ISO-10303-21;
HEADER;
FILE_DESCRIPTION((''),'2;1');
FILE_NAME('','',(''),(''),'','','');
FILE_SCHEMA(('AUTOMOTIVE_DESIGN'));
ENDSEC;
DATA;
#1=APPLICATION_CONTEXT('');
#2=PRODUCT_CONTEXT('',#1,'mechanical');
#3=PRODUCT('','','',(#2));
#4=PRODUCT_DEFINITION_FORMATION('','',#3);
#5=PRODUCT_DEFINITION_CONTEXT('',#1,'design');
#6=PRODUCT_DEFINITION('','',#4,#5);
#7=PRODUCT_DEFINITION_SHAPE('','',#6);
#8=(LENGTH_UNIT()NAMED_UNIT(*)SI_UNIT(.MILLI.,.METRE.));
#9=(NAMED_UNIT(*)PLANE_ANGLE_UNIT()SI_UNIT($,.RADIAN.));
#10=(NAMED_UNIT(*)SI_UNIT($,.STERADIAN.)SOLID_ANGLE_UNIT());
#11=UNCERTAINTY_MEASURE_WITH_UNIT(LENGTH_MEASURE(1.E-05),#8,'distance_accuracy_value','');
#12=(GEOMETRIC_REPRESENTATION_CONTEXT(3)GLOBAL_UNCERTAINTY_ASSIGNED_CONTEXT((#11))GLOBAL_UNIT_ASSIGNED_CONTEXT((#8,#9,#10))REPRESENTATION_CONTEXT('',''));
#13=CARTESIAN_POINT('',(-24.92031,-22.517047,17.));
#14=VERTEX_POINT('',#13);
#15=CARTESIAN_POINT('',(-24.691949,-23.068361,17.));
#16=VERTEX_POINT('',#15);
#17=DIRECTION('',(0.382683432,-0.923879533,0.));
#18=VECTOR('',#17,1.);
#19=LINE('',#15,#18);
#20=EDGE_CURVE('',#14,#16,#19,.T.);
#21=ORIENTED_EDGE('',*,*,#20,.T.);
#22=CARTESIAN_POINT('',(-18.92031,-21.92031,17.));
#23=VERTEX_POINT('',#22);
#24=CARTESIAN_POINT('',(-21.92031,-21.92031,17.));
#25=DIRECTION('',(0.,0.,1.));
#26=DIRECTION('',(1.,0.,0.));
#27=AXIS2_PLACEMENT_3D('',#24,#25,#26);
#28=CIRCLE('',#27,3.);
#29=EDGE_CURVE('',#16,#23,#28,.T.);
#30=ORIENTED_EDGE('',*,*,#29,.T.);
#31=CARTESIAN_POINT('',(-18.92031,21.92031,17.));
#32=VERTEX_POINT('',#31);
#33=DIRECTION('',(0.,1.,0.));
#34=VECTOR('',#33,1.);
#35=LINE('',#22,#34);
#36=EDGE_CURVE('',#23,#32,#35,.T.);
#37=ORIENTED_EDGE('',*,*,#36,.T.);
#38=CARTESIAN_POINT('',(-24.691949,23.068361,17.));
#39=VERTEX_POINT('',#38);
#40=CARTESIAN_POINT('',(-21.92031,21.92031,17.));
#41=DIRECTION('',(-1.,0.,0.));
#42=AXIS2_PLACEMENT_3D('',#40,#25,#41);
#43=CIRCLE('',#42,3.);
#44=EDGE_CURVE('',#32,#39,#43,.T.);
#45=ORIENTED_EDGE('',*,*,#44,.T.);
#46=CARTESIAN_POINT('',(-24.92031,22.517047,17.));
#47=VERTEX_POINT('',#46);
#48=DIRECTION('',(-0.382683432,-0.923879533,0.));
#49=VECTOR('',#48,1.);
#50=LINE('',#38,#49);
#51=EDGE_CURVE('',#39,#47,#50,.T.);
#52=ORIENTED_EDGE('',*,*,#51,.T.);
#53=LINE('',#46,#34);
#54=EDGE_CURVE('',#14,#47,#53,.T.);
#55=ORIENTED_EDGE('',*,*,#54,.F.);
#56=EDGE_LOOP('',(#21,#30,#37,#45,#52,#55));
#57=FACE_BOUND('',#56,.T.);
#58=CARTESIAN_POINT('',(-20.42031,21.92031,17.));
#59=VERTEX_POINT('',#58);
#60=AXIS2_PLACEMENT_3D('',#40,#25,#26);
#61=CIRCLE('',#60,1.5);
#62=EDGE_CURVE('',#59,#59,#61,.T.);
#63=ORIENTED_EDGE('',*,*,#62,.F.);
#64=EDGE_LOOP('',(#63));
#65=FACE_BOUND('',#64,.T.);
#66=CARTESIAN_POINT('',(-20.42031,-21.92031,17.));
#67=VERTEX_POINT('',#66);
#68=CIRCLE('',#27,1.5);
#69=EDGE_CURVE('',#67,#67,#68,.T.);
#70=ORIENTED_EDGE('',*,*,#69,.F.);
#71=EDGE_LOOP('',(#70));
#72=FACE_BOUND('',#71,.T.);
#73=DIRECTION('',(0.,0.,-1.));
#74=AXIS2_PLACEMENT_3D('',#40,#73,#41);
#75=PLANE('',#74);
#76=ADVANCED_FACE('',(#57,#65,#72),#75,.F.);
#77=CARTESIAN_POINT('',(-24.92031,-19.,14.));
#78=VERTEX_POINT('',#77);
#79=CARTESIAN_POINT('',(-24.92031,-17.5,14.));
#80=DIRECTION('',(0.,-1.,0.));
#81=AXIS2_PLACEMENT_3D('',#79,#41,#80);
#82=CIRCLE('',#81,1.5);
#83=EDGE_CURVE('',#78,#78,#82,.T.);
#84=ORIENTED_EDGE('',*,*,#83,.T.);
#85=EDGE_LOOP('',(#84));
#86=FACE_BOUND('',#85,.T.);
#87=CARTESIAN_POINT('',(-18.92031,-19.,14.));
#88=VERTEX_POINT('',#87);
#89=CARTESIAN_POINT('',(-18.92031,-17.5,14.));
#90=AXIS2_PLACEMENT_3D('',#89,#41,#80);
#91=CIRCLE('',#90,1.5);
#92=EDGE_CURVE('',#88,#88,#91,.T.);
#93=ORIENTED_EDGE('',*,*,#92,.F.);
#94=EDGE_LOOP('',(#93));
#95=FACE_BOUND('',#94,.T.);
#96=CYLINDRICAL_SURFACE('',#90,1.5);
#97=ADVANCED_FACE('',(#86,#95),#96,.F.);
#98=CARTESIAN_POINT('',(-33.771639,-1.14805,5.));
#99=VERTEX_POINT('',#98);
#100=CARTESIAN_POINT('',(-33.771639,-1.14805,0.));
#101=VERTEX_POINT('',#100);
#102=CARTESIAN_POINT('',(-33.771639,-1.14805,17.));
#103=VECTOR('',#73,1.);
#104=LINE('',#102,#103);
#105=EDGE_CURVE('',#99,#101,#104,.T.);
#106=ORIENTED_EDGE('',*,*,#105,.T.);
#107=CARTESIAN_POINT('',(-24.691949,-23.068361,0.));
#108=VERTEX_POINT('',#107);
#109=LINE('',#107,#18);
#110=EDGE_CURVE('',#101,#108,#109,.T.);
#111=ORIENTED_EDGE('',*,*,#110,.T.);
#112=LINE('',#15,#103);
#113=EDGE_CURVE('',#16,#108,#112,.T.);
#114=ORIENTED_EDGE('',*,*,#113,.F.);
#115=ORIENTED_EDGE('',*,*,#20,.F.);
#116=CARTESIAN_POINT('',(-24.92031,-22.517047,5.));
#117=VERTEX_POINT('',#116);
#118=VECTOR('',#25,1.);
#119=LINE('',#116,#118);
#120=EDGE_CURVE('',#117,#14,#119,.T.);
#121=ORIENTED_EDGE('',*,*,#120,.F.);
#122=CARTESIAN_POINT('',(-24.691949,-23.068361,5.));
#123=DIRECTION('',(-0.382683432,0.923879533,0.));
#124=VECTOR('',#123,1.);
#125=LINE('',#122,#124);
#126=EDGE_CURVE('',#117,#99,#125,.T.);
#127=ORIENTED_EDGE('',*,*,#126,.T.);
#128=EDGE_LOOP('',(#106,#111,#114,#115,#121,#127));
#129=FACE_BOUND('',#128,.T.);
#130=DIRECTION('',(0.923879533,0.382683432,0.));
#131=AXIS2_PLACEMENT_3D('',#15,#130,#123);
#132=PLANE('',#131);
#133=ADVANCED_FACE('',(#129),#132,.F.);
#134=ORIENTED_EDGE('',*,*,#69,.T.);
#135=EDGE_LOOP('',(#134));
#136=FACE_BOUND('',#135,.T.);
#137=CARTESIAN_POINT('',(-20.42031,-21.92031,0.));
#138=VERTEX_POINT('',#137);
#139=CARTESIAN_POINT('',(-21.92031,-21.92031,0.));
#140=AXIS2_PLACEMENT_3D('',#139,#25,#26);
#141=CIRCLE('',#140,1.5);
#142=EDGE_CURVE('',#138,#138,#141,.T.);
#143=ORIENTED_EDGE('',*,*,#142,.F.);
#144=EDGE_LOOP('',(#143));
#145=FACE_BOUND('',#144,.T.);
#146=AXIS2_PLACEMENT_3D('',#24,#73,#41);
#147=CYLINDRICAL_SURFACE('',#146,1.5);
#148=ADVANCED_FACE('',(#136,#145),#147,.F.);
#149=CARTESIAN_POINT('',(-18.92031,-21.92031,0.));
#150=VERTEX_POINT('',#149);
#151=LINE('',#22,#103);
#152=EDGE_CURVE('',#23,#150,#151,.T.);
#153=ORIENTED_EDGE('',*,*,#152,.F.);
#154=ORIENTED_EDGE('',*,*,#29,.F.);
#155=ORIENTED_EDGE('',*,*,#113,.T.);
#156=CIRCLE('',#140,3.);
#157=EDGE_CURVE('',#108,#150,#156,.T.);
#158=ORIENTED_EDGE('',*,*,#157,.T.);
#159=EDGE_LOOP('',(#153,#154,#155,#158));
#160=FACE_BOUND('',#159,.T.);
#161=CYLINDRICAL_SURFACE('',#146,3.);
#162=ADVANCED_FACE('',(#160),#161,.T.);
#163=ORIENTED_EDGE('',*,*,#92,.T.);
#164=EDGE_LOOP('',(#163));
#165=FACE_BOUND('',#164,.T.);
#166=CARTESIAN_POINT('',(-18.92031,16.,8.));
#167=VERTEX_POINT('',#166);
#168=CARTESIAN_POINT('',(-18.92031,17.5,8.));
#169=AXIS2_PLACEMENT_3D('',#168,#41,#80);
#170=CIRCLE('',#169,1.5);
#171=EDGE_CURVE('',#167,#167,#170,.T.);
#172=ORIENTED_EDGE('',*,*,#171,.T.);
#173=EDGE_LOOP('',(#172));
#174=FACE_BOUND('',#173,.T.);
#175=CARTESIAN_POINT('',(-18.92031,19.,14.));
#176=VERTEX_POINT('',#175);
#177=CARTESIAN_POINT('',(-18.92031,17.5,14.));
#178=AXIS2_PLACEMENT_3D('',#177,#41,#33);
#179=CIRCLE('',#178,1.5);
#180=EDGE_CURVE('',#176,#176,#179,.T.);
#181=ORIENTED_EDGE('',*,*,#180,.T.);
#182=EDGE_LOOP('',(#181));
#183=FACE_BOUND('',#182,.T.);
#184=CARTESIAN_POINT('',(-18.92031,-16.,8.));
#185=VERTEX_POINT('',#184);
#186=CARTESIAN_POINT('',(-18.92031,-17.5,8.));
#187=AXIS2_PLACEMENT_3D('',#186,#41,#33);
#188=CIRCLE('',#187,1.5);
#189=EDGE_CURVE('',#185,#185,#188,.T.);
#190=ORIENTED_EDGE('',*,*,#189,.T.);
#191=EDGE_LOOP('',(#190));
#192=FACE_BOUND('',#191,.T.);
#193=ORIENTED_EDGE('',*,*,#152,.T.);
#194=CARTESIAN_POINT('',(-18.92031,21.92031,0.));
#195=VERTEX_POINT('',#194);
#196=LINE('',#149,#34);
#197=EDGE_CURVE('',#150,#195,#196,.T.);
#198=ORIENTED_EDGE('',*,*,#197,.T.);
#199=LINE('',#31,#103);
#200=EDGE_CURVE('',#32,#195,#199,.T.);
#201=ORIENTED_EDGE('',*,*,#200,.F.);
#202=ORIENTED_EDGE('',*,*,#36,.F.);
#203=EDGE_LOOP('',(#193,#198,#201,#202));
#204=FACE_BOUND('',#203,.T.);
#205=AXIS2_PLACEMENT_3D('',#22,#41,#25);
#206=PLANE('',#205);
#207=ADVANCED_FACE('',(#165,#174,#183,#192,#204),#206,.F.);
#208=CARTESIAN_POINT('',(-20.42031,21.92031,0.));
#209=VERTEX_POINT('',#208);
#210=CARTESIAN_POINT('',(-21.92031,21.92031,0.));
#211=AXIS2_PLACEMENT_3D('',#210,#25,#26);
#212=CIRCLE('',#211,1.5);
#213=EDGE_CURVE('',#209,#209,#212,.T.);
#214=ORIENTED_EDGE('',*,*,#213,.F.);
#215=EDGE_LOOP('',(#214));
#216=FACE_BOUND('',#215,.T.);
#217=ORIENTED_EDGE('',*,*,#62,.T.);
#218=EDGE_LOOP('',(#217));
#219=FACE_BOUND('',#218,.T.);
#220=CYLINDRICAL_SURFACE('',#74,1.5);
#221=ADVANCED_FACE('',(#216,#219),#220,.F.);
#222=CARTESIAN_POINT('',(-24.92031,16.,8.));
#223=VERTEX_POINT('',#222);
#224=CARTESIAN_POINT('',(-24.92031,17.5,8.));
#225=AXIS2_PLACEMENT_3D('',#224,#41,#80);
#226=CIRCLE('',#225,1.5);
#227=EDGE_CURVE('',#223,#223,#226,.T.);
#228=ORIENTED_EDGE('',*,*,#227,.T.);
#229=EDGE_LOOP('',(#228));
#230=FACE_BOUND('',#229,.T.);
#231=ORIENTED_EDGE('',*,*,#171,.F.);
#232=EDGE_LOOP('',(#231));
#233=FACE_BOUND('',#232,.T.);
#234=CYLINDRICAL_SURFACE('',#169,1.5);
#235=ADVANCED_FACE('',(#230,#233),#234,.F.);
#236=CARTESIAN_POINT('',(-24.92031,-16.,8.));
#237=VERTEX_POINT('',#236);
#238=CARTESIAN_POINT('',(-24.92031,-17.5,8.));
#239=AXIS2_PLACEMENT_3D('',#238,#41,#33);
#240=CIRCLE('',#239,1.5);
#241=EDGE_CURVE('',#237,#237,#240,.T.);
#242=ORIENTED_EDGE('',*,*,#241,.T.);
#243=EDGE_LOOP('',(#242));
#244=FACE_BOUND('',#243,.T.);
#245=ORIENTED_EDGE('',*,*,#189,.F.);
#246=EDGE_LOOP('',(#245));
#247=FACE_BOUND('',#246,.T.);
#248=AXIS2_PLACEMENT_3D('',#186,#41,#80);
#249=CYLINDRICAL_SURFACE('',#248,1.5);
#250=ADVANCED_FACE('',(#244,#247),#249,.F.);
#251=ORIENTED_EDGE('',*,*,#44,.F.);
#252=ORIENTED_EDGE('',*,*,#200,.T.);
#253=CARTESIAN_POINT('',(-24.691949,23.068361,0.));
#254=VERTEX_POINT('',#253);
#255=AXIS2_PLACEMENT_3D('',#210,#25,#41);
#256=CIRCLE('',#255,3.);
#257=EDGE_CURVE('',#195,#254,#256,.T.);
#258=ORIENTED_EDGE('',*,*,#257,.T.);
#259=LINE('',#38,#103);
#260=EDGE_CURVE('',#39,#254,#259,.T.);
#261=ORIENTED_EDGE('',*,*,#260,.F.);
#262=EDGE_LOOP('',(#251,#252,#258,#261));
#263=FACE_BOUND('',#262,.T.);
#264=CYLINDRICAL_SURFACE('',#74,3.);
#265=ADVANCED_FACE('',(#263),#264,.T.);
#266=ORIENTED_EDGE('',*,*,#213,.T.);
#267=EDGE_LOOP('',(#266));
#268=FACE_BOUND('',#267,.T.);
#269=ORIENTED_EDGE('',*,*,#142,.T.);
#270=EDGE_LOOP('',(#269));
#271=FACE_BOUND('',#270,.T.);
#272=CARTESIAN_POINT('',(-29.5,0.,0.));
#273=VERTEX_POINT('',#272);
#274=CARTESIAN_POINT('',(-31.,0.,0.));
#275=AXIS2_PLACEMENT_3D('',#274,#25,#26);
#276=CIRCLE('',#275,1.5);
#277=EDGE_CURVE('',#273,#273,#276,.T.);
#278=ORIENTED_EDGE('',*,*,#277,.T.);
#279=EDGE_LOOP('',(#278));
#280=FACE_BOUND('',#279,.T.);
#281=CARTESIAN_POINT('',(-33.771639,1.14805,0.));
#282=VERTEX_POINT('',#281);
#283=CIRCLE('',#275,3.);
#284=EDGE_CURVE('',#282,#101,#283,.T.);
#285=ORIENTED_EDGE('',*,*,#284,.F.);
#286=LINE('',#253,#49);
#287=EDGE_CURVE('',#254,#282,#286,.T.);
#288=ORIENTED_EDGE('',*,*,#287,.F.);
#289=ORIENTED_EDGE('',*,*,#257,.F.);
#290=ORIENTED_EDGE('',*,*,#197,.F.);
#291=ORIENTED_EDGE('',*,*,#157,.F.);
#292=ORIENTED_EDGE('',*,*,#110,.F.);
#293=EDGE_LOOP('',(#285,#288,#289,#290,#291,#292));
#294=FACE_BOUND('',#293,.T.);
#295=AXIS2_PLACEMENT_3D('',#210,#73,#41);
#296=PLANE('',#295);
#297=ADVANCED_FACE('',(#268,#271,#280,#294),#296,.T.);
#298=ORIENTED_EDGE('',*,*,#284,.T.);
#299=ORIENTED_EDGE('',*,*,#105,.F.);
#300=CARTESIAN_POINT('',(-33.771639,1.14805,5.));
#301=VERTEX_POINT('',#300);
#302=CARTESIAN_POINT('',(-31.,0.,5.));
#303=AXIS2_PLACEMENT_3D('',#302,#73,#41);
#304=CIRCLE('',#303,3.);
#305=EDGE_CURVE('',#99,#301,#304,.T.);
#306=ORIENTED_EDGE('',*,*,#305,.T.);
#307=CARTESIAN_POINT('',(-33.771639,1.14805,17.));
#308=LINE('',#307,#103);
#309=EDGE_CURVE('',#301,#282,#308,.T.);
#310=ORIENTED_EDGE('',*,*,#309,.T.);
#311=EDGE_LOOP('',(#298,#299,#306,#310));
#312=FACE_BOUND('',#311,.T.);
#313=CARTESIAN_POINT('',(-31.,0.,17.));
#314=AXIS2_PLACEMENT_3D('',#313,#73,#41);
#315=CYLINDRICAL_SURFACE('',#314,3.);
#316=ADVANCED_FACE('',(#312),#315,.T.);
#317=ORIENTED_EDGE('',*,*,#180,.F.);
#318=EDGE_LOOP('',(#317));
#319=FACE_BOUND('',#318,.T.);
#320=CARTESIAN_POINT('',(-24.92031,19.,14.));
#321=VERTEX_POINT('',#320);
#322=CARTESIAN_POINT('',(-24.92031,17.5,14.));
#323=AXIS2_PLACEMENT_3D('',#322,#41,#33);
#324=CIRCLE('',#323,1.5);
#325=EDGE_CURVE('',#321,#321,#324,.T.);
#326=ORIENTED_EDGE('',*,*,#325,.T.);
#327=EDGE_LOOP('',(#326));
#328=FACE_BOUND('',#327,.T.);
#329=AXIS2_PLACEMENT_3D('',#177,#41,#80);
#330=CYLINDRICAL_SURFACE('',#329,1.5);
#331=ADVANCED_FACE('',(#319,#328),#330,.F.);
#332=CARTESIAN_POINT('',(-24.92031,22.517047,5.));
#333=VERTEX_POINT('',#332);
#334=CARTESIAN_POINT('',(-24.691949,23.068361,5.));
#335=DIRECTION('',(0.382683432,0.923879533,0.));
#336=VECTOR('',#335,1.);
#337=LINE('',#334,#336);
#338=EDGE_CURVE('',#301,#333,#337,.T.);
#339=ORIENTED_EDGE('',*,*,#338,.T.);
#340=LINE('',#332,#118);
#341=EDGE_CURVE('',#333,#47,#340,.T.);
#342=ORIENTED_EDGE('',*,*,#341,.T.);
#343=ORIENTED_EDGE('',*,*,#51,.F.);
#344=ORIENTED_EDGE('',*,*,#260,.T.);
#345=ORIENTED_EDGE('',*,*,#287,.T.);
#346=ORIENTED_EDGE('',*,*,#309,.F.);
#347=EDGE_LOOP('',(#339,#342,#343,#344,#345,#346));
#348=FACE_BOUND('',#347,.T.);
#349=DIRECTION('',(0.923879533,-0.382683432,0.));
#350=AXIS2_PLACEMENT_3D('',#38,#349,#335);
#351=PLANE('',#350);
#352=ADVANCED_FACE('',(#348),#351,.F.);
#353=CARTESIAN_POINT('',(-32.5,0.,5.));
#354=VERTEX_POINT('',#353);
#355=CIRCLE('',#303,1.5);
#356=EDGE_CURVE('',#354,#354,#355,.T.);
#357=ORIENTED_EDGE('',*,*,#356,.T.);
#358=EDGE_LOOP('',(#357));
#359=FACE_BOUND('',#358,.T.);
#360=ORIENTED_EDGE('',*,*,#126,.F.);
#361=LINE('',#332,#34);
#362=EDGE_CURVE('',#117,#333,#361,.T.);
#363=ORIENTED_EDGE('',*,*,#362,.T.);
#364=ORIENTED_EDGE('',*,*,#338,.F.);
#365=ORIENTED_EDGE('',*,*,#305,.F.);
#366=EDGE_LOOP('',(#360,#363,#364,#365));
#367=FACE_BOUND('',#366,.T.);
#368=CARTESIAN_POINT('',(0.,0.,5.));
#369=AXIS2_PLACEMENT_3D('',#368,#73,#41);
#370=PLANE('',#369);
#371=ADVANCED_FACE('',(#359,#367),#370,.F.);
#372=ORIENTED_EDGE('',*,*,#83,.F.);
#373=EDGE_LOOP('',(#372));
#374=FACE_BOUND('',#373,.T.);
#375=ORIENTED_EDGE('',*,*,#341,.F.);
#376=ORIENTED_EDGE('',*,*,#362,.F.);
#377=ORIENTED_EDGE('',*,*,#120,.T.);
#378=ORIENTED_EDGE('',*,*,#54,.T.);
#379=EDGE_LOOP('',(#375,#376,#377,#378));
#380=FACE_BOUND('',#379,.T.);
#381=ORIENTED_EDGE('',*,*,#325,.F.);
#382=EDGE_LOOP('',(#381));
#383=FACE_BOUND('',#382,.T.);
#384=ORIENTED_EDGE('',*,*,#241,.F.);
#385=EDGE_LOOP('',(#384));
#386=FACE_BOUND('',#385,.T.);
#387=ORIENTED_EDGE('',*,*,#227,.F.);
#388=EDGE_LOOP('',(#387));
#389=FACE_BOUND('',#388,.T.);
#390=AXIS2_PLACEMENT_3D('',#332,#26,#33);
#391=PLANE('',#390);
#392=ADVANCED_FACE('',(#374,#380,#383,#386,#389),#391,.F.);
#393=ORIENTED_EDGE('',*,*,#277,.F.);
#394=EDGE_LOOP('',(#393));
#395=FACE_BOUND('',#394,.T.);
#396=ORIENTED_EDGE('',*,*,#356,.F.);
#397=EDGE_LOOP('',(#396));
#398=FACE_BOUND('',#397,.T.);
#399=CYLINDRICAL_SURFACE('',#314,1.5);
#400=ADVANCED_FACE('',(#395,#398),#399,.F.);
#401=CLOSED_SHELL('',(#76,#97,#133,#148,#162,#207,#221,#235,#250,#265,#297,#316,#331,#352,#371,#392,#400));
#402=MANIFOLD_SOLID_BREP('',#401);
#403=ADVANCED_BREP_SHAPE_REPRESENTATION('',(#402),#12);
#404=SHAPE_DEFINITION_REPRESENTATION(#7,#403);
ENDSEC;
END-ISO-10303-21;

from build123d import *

# Parameters (mm, degrees)
SKETCH_1_R          = 1.5
EXTRUDE_1_DEPTH     = 17
SKETCH_3_W          = 9.079689783
SKETCH_3_H          = 45.034094638
CUT_EXTRUDE_2_DEPTH = 12
SKETCH_5_R          = 1.5
CUT_EXTRUDE_3_DEPTH = 32.503374865


with BuildPart() as part:
    # 草图1 → 凸台-拉伸1 (new body)
    with BuildSketch(Plane.XY):
        with BuildLine():
            Line((-24.691948814, 23.068360514), (-33.771638598, 1.148050297))
            ThreePointArc((-33.771638598, 1.148050297), (-34, 0), (-33.771638598, -1.148050297))
            Line((-33.771638598, -1.148050297), (-24.691948814, -23.068360514))
            ThreePointArc((-24.691948814, -23.068360514), (-21.335039251, -24.862666058), (-18.920310217, -21.920310217))
            Line((-18.920310217, -21.920310217), (-18.920310217, 21.920310217))
            ThreePointArc((-18.920310217, 21.920310217), (-21.335039251, 24.862666058), (-24.691948814, 23.068360514))
        make_face()
        with Locations((-31, 0)):
            Circle(SKETCH_1_R, mode=Mode.SUBTRACT)
        with Locations((-21.920310217, 21.920310217)):
            Circle(SKETCH_1_R, mode=Mode.SUBTRACT)
        with Locations((-21.920310217, -21.920310217)):
            Circle(SKETCH_1_R, mode=Mode.SUBTRACT)
    extrude(amount=EXTRUDE_1_DEPTH)

    # 草图3 → 切除-拉伸2 (cut)
    with BuildSketch(Plane.XY.offset(17)):
        with Locations((-29.460155109, 0)):
            Rectangle(SKETCH_3_W, SKETCH_3_H)
    extrude(amount=-CUT_EXTRUDE_2_DEPTH, mode=Mode.SUBTRACT)

    # 草图5 → 切除-拉伸3 (cut, through all)
    with BuildSketch(Plane.ZY.offset(24.920310217)):
        with Locations(Location((8, 17.5, 0), (0, 0, 270))):
            Circle(SKETCH_5_R)
        with Locations(Location((14, 17.5, 0), (0, 0, 90))):
            Circle(SKETCH_5_R)
        with Locations(Location((14, -17.5, 0), (0, 0, 270))):
            Circle(SKETCH_5_R)
        with Locations(Location((8, -17.5, 0), (0, 0, 90))):
            Circle(SKETCH_5_R)
    extrude(amount=-CUT_EXTRUDE_3_DEPTH, mode=Mode.SUBTRACT)


solid = part.part
